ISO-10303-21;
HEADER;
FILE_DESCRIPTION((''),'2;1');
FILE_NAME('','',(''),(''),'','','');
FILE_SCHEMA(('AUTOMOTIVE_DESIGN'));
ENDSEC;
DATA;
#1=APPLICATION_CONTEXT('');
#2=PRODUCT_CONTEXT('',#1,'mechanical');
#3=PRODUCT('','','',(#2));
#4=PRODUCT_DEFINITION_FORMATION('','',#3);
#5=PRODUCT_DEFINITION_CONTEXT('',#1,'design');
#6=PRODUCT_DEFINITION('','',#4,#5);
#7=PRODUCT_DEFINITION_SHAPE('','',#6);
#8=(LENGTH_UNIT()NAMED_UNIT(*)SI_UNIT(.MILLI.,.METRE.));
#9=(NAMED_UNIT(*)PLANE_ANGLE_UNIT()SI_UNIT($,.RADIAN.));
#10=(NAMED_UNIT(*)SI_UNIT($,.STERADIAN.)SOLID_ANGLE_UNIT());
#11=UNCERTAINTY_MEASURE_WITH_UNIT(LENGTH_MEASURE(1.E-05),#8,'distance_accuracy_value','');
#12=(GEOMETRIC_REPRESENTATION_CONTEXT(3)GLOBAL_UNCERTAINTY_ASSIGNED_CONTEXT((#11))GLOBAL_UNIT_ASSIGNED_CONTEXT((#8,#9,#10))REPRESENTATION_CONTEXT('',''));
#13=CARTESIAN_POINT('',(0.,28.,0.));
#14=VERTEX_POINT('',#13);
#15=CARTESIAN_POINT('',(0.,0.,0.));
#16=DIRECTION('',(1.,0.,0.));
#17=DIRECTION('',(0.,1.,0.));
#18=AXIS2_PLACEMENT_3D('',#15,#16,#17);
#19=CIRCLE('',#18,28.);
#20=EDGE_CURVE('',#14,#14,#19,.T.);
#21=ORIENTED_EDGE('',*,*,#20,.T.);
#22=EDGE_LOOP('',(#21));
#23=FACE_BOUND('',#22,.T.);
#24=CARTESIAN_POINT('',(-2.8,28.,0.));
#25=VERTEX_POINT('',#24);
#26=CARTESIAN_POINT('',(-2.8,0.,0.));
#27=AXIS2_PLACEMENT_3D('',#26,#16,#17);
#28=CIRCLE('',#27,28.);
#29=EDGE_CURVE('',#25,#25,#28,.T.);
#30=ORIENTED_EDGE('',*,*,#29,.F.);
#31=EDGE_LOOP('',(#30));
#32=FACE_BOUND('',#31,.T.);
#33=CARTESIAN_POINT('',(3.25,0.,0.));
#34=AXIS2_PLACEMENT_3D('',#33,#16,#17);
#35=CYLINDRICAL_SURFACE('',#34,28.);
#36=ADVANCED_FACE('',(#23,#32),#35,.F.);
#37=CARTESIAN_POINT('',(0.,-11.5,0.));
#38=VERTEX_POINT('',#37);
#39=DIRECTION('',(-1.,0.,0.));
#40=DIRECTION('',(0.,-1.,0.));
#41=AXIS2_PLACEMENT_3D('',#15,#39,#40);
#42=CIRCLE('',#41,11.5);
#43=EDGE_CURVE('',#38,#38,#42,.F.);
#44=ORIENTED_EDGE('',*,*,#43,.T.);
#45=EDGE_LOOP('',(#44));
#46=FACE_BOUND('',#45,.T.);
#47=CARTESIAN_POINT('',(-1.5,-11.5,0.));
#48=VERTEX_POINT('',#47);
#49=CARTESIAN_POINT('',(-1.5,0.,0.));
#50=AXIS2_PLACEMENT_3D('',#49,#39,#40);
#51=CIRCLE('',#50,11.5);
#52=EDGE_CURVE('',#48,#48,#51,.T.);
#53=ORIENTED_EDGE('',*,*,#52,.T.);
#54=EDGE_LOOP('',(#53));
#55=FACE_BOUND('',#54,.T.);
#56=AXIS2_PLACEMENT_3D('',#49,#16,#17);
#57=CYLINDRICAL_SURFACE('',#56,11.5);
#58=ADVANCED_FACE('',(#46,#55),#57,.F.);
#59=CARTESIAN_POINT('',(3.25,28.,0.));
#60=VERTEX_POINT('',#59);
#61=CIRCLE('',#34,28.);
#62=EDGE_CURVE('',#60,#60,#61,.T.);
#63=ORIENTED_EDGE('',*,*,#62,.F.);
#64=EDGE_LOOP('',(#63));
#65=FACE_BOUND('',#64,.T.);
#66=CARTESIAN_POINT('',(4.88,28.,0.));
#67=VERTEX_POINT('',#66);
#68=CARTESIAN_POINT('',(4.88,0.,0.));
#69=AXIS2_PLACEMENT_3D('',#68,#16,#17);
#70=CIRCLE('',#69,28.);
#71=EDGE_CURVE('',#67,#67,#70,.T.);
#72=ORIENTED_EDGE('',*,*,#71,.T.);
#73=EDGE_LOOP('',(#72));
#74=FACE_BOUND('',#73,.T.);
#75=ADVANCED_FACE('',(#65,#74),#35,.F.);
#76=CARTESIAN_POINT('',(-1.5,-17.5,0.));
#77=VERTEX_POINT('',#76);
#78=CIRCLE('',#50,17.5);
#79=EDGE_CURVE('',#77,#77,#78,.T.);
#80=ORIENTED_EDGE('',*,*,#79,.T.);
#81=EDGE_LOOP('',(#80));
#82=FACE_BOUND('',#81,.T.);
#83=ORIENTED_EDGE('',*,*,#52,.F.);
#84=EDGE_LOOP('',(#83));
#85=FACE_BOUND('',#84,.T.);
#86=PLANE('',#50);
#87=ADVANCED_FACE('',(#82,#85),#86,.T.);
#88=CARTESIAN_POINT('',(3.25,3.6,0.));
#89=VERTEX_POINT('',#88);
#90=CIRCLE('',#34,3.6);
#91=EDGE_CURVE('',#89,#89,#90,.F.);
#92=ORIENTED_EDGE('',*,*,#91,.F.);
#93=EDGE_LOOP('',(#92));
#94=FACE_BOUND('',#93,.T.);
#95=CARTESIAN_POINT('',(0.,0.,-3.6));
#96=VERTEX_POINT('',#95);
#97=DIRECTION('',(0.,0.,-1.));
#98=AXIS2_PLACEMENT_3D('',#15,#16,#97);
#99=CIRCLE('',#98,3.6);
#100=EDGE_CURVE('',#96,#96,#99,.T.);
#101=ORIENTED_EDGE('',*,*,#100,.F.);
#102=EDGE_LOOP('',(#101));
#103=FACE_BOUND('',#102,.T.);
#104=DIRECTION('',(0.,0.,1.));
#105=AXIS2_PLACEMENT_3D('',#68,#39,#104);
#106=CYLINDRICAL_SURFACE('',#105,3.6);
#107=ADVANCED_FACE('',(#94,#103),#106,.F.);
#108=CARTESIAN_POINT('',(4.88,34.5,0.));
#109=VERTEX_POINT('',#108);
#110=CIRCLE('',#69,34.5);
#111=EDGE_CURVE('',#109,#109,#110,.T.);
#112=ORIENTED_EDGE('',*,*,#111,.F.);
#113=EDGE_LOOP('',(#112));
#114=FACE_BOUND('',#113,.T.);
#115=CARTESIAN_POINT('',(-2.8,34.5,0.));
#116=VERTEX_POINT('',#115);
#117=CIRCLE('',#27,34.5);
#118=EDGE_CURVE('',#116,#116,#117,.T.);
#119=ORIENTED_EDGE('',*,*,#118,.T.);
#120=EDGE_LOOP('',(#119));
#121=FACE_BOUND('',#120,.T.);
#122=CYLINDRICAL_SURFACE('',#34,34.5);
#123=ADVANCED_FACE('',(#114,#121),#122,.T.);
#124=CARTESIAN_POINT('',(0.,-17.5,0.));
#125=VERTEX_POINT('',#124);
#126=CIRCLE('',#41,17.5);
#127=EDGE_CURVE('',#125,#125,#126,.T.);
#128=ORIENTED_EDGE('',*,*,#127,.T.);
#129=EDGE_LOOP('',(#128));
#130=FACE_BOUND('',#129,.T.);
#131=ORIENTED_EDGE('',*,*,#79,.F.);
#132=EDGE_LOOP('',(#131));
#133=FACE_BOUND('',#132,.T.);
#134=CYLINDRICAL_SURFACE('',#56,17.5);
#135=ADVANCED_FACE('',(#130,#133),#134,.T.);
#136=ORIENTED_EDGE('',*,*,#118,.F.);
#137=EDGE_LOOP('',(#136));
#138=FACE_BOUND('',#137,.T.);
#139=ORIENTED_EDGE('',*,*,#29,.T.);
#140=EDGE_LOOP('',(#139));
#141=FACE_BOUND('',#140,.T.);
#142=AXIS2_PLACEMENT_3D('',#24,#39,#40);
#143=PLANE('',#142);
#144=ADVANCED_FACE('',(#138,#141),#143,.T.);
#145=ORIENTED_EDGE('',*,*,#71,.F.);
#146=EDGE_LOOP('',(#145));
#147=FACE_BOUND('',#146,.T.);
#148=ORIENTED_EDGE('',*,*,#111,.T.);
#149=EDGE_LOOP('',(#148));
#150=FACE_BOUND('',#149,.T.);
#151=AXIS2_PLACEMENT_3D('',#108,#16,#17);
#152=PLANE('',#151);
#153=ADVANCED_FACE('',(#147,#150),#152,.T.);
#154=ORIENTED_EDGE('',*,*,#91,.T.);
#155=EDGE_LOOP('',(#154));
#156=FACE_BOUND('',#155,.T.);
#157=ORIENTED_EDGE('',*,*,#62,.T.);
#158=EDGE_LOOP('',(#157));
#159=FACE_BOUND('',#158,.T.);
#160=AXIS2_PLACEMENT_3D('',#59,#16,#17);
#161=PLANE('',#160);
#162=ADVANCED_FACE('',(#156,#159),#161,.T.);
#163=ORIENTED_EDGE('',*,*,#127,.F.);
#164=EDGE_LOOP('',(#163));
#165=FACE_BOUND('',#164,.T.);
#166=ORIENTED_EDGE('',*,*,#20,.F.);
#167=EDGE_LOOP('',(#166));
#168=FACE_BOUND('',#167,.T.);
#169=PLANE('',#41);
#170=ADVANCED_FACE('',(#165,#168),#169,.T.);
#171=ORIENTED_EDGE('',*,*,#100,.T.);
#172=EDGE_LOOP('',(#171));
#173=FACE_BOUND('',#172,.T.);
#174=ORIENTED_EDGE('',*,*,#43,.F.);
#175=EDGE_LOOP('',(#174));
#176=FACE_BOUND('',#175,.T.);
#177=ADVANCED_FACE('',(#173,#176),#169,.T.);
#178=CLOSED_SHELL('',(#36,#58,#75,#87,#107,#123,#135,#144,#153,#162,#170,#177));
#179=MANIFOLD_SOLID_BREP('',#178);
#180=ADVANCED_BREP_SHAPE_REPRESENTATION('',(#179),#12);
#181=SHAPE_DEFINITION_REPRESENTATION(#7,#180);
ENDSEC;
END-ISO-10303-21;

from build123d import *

# Parameters (mm, degrees)
SKETCH2_R           = 17.5
SKETCH2_R_2         = 11.5
BOSS_EXTRUDE1_DEPTH = 1.5
SKETCH4_R           = 3.6
CUT_EXTRUDE2_DEPTH  = 50.033808745


with BuildPart() as part:
    # Sketch1 → Revolve1 (revolve)
    with BuildSketch(Plane.XY):
        Polygon((0, 0), (0, 28), (-2.8, 28), (-2.8, 34.5), (4.88, 34.5), (4.88, 28), (3.25, 28), (3.25, 0), align=None)
    revolve(axis=Axis((3.25, 0, 0), (-1, 0, 0)))

    # Sketch2 → Boss-Extrude1 (add)
    with BuildSketch(Plane.ZY):
        with Locations(Location((0, 0, 0), (0, 0, 270))):
            Circle(SKETCH2_R)
        with Locations(Location((0, 0, 0), (0, 0, 270))):
            Circle(SKETCH2_R_2, mode=Mode.SUBTRACT)
    extrude(amount=BOSS_EXTRUDE1_DEPTH)

    # Sketch4 → Cut-Extrude2 (cut, through all)
    with BuildSketch(Plane(origin=(0, 0, 0), x_dir=(0, 0, -1), z_dir=(1, 0, 0))):
        with Locations(Location((0, 0, 0), (0, 0, 90))):
            Circle(SKETCH4_R)
    extrude(amount=CUT_EXTRUDE2_DEPTH, mode=Mode.SUBTRACT)


solid = part.part
